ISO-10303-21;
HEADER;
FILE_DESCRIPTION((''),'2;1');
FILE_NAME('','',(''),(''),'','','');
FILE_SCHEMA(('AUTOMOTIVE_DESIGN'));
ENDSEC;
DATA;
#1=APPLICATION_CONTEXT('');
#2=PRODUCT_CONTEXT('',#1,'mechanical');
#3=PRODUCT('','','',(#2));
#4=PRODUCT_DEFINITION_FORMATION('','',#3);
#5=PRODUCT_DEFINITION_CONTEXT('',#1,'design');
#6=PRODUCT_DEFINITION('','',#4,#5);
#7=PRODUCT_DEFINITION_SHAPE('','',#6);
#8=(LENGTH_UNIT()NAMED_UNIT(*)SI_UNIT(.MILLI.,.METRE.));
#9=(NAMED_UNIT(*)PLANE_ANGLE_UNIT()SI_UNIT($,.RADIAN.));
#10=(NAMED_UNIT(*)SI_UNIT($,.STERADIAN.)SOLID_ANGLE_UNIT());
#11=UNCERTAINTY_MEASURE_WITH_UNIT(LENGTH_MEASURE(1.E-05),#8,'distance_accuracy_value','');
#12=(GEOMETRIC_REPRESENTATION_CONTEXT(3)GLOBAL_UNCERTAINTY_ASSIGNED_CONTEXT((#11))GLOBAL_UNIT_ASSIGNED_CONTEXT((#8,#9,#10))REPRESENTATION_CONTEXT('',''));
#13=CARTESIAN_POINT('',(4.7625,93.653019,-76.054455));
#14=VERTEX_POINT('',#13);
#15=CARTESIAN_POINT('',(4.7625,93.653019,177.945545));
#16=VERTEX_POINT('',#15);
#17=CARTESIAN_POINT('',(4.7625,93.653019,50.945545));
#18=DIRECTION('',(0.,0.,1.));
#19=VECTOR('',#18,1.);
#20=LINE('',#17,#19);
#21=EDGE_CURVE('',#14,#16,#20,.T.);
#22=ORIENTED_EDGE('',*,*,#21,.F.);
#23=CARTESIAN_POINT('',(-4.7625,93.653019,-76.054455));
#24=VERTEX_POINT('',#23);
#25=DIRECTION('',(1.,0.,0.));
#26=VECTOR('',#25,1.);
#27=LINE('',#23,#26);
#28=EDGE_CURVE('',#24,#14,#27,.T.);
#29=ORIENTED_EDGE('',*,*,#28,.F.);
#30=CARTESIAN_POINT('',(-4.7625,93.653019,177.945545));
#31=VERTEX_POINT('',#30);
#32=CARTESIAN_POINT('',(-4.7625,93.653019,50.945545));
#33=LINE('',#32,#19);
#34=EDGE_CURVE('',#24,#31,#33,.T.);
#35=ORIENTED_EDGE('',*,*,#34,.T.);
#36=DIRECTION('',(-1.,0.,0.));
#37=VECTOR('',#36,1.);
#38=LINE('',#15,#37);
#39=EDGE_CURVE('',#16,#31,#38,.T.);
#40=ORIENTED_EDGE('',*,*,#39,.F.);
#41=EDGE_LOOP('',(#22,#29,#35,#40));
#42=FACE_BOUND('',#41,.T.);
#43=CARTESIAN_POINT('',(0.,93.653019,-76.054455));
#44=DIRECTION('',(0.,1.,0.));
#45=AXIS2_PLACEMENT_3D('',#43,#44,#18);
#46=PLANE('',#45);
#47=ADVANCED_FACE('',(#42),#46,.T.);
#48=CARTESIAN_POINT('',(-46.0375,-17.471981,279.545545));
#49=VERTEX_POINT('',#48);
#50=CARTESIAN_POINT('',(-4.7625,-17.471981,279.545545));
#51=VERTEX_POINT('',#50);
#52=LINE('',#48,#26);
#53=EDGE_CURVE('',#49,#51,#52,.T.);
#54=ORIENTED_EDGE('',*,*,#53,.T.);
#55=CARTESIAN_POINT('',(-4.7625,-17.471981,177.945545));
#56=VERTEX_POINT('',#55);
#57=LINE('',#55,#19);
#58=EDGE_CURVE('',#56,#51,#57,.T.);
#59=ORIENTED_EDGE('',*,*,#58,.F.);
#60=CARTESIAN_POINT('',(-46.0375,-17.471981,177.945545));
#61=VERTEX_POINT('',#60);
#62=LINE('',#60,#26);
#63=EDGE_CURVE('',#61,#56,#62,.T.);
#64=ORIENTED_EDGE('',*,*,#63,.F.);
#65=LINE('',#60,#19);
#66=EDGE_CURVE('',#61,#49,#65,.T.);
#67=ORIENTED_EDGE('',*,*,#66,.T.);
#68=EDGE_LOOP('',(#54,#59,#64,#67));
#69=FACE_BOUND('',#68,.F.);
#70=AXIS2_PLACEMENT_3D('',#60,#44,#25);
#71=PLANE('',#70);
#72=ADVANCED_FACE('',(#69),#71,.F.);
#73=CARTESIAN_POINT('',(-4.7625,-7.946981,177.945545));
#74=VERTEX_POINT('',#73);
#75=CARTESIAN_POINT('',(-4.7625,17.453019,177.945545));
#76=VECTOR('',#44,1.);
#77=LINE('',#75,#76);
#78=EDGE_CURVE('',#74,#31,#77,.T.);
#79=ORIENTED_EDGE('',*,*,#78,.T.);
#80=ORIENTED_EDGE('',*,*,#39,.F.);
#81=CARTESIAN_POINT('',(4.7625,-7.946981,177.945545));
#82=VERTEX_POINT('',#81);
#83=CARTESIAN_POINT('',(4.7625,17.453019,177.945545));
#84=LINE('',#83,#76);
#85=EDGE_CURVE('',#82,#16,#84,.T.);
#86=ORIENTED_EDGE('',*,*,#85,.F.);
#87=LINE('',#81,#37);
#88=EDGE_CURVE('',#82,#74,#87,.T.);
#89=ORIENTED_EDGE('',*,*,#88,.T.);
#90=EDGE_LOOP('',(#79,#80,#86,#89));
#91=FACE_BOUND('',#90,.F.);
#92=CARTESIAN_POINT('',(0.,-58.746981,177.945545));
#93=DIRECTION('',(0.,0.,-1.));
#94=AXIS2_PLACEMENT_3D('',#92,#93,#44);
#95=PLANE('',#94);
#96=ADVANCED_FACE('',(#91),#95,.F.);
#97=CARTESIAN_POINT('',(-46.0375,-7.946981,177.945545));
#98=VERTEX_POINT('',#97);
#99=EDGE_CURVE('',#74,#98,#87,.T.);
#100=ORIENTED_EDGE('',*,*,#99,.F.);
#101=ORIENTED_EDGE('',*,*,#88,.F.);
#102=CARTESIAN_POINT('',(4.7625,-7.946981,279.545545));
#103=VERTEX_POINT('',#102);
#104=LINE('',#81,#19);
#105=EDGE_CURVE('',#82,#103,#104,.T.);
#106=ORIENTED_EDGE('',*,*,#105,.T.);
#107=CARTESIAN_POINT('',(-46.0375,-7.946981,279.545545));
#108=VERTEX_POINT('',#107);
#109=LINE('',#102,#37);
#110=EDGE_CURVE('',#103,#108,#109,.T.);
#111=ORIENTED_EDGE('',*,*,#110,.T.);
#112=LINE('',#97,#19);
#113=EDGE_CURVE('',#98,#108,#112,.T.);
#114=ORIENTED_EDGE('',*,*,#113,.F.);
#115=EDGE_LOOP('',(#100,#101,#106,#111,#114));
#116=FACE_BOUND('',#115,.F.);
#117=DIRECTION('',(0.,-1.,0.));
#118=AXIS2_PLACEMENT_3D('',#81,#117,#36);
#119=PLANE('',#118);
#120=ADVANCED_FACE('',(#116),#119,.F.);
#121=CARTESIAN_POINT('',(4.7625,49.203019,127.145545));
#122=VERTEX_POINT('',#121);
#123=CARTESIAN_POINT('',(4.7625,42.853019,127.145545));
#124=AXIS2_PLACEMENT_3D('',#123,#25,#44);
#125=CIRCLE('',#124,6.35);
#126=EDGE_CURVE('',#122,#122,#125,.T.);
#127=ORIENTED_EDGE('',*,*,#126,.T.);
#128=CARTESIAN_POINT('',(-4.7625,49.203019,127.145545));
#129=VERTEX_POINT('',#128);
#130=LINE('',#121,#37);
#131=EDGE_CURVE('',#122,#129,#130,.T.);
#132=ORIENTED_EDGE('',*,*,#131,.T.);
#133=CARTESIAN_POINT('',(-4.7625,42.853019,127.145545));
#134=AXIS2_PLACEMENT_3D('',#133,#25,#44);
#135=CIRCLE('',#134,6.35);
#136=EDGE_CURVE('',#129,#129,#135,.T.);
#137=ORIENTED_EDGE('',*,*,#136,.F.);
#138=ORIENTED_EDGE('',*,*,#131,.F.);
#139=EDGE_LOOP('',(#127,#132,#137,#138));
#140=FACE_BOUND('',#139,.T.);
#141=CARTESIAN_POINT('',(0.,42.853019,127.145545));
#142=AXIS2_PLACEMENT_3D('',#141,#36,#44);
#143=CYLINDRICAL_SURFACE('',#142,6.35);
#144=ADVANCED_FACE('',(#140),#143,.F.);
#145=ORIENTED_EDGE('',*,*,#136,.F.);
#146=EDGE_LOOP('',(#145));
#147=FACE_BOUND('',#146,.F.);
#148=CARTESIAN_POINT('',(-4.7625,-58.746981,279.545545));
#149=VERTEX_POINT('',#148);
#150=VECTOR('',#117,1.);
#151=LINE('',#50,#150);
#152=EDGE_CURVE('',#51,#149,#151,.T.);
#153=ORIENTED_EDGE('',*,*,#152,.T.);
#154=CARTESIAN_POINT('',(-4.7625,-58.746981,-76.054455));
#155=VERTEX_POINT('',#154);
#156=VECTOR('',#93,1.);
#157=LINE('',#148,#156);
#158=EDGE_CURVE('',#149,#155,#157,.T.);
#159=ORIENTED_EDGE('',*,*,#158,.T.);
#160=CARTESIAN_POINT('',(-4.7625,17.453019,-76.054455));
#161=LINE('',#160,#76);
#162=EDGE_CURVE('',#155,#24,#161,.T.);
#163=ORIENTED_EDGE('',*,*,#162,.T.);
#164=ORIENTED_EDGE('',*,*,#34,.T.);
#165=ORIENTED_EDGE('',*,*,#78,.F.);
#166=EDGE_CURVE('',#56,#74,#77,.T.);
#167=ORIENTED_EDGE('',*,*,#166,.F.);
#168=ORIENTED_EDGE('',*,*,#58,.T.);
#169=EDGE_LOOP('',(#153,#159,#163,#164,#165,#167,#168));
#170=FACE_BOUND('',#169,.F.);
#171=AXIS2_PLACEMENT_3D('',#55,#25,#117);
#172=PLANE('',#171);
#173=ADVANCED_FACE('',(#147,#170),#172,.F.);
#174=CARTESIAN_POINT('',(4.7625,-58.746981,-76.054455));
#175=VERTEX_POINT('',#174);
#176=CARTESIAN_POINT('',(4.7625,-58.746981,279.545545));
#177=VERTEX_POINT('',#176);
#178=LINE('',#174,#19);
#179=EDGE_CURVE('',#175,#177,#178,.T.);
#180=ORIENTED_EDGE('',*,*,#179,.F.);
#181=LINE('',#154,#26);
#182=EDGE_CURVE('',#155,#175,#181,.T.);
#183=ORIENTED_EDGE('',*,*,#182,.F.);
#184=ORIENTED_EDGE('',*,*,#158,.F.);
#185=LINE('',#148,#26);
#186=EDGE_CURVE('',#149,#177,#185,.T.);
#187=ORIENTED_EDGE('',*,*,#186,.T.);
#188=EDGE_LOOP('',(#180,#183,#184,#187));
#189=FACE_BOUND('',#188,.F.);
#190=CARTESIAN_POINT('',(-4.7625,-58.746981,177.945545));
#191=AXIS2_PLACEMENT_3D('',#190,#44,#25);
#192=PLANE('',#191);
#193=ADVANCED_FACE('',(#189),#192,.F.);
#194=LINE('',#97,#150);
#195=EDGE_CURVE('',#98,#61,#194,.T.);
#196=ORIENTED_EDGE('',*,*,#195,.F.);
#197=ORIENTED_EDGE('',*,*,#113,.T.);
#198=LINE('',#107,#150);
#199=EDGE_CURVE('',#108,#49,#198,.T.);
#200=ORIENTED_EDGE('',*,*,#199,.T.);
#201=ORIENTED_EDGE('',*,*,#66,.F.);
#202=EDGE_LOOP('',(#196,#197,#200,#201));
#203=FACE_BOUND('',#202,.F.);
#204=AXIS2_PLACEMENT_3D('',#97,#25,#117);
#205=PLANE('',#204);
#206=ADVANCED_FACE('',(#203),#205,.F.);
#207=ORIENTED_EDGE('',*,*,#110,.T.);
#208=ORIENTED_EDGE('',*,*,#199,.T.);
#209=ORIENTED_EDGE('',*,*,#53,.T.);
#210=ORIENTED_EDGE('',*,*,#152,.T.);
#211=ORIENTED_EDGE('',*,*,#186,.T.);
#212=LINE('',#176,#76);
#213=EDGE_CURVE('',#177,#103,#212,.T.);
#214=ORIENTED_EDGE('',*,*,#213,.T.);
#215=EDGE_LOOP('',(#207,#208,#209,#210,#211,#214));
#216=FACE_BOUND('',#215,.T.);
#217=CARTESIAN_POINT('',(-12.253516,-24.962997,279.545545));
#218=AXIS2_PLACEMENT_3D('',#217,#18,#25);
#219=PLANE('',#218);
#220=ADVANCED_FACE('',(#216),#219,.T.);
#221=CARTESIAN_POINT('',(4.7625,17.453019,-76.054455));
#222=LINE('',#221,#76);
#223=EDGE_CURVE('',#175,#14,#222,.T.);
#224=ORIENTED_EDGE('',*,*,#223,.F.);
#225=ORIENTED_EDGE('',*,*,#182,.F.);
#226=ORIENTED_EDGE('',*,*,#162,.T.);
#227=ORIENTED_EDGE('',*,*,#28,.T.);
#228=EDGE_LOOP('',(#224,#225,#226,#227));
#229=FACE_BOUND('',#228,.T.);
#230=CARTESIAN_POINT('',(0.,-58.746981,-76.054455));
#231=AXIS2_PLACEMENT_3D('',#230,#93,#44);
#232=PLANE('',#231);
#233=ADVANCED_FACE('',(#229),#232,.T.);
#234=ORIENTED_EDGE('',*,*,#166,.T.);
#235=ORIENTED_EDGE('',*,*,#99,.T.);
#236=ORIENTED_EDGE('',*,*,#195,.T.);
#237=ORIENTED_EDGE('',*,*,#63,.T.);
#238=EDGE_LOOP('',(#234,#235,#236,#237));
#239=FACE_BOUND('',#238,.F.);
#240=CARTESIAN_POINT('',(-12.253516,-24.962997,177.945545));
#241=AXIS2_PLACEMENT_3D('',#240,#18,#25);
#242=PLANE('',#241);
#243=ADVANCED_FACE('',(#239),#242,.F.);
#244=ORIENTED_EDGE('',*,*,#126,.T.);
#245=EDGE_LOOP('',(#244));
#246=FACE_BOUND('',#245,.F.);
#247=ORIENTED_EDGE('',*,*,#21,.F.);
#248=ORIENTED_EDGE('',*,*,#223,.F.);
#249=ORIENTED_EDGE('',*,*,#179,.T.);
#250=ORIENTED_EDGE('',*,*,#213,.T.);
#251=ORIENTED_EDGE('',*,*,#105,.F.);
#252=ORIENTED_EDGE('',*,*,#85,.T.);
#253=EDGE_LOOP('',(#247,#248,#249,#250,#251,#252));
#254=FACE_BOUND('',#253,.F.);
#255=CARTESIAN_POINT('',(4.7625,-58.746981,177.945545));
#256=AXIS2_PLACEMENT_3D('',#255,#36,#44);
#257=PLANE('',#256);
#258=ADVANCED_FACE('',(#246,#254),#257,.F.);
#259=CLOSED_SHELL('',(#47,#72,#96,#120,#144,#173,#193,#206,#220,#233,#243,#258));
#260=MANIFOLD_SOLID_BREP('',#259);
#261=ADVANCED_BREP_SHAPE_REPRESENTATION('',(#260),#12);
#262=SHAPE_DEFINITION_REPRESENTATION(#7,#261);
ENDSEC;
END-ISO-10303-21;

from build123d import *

# Parameters (mm, degrees)
F0_W     = 152.4
F0_H     = 254
F0_R     = 6.35
F1_DEPTH = 4.7625
F3_DEPTH = 101.6


with BuildPart() as f1:
    # F0 (on Right) → F1 (new body, symmetric)
    with BuildSketch(Plane.YZ):
        with Locations((17.4530185759, 50.9455445287)):
            Rectangle(F0_W, F0_H)
        with Locations((42.8530185759, 127.1455445287)):
            Circle(F0_R, mode=Mode.SUBTRACT)
    extrude(amount=F1_DEPTH, both=True)

    # F2 (on face) → F3 (join)
    with BuildSketch(Plane.XY.offset(177.9455445287)):
        Polygon((-4.7625, -58.7469814241), (4.7625, -58.7469814241), (4.7625, -7.9469814241), (-46.0375, -7.9469814241), (-46.0375, -17.4719814241), (-4.7625, -17.4719814241), align=None)
    extrude(amount=F3_DEPTH)


solid = f1.part
